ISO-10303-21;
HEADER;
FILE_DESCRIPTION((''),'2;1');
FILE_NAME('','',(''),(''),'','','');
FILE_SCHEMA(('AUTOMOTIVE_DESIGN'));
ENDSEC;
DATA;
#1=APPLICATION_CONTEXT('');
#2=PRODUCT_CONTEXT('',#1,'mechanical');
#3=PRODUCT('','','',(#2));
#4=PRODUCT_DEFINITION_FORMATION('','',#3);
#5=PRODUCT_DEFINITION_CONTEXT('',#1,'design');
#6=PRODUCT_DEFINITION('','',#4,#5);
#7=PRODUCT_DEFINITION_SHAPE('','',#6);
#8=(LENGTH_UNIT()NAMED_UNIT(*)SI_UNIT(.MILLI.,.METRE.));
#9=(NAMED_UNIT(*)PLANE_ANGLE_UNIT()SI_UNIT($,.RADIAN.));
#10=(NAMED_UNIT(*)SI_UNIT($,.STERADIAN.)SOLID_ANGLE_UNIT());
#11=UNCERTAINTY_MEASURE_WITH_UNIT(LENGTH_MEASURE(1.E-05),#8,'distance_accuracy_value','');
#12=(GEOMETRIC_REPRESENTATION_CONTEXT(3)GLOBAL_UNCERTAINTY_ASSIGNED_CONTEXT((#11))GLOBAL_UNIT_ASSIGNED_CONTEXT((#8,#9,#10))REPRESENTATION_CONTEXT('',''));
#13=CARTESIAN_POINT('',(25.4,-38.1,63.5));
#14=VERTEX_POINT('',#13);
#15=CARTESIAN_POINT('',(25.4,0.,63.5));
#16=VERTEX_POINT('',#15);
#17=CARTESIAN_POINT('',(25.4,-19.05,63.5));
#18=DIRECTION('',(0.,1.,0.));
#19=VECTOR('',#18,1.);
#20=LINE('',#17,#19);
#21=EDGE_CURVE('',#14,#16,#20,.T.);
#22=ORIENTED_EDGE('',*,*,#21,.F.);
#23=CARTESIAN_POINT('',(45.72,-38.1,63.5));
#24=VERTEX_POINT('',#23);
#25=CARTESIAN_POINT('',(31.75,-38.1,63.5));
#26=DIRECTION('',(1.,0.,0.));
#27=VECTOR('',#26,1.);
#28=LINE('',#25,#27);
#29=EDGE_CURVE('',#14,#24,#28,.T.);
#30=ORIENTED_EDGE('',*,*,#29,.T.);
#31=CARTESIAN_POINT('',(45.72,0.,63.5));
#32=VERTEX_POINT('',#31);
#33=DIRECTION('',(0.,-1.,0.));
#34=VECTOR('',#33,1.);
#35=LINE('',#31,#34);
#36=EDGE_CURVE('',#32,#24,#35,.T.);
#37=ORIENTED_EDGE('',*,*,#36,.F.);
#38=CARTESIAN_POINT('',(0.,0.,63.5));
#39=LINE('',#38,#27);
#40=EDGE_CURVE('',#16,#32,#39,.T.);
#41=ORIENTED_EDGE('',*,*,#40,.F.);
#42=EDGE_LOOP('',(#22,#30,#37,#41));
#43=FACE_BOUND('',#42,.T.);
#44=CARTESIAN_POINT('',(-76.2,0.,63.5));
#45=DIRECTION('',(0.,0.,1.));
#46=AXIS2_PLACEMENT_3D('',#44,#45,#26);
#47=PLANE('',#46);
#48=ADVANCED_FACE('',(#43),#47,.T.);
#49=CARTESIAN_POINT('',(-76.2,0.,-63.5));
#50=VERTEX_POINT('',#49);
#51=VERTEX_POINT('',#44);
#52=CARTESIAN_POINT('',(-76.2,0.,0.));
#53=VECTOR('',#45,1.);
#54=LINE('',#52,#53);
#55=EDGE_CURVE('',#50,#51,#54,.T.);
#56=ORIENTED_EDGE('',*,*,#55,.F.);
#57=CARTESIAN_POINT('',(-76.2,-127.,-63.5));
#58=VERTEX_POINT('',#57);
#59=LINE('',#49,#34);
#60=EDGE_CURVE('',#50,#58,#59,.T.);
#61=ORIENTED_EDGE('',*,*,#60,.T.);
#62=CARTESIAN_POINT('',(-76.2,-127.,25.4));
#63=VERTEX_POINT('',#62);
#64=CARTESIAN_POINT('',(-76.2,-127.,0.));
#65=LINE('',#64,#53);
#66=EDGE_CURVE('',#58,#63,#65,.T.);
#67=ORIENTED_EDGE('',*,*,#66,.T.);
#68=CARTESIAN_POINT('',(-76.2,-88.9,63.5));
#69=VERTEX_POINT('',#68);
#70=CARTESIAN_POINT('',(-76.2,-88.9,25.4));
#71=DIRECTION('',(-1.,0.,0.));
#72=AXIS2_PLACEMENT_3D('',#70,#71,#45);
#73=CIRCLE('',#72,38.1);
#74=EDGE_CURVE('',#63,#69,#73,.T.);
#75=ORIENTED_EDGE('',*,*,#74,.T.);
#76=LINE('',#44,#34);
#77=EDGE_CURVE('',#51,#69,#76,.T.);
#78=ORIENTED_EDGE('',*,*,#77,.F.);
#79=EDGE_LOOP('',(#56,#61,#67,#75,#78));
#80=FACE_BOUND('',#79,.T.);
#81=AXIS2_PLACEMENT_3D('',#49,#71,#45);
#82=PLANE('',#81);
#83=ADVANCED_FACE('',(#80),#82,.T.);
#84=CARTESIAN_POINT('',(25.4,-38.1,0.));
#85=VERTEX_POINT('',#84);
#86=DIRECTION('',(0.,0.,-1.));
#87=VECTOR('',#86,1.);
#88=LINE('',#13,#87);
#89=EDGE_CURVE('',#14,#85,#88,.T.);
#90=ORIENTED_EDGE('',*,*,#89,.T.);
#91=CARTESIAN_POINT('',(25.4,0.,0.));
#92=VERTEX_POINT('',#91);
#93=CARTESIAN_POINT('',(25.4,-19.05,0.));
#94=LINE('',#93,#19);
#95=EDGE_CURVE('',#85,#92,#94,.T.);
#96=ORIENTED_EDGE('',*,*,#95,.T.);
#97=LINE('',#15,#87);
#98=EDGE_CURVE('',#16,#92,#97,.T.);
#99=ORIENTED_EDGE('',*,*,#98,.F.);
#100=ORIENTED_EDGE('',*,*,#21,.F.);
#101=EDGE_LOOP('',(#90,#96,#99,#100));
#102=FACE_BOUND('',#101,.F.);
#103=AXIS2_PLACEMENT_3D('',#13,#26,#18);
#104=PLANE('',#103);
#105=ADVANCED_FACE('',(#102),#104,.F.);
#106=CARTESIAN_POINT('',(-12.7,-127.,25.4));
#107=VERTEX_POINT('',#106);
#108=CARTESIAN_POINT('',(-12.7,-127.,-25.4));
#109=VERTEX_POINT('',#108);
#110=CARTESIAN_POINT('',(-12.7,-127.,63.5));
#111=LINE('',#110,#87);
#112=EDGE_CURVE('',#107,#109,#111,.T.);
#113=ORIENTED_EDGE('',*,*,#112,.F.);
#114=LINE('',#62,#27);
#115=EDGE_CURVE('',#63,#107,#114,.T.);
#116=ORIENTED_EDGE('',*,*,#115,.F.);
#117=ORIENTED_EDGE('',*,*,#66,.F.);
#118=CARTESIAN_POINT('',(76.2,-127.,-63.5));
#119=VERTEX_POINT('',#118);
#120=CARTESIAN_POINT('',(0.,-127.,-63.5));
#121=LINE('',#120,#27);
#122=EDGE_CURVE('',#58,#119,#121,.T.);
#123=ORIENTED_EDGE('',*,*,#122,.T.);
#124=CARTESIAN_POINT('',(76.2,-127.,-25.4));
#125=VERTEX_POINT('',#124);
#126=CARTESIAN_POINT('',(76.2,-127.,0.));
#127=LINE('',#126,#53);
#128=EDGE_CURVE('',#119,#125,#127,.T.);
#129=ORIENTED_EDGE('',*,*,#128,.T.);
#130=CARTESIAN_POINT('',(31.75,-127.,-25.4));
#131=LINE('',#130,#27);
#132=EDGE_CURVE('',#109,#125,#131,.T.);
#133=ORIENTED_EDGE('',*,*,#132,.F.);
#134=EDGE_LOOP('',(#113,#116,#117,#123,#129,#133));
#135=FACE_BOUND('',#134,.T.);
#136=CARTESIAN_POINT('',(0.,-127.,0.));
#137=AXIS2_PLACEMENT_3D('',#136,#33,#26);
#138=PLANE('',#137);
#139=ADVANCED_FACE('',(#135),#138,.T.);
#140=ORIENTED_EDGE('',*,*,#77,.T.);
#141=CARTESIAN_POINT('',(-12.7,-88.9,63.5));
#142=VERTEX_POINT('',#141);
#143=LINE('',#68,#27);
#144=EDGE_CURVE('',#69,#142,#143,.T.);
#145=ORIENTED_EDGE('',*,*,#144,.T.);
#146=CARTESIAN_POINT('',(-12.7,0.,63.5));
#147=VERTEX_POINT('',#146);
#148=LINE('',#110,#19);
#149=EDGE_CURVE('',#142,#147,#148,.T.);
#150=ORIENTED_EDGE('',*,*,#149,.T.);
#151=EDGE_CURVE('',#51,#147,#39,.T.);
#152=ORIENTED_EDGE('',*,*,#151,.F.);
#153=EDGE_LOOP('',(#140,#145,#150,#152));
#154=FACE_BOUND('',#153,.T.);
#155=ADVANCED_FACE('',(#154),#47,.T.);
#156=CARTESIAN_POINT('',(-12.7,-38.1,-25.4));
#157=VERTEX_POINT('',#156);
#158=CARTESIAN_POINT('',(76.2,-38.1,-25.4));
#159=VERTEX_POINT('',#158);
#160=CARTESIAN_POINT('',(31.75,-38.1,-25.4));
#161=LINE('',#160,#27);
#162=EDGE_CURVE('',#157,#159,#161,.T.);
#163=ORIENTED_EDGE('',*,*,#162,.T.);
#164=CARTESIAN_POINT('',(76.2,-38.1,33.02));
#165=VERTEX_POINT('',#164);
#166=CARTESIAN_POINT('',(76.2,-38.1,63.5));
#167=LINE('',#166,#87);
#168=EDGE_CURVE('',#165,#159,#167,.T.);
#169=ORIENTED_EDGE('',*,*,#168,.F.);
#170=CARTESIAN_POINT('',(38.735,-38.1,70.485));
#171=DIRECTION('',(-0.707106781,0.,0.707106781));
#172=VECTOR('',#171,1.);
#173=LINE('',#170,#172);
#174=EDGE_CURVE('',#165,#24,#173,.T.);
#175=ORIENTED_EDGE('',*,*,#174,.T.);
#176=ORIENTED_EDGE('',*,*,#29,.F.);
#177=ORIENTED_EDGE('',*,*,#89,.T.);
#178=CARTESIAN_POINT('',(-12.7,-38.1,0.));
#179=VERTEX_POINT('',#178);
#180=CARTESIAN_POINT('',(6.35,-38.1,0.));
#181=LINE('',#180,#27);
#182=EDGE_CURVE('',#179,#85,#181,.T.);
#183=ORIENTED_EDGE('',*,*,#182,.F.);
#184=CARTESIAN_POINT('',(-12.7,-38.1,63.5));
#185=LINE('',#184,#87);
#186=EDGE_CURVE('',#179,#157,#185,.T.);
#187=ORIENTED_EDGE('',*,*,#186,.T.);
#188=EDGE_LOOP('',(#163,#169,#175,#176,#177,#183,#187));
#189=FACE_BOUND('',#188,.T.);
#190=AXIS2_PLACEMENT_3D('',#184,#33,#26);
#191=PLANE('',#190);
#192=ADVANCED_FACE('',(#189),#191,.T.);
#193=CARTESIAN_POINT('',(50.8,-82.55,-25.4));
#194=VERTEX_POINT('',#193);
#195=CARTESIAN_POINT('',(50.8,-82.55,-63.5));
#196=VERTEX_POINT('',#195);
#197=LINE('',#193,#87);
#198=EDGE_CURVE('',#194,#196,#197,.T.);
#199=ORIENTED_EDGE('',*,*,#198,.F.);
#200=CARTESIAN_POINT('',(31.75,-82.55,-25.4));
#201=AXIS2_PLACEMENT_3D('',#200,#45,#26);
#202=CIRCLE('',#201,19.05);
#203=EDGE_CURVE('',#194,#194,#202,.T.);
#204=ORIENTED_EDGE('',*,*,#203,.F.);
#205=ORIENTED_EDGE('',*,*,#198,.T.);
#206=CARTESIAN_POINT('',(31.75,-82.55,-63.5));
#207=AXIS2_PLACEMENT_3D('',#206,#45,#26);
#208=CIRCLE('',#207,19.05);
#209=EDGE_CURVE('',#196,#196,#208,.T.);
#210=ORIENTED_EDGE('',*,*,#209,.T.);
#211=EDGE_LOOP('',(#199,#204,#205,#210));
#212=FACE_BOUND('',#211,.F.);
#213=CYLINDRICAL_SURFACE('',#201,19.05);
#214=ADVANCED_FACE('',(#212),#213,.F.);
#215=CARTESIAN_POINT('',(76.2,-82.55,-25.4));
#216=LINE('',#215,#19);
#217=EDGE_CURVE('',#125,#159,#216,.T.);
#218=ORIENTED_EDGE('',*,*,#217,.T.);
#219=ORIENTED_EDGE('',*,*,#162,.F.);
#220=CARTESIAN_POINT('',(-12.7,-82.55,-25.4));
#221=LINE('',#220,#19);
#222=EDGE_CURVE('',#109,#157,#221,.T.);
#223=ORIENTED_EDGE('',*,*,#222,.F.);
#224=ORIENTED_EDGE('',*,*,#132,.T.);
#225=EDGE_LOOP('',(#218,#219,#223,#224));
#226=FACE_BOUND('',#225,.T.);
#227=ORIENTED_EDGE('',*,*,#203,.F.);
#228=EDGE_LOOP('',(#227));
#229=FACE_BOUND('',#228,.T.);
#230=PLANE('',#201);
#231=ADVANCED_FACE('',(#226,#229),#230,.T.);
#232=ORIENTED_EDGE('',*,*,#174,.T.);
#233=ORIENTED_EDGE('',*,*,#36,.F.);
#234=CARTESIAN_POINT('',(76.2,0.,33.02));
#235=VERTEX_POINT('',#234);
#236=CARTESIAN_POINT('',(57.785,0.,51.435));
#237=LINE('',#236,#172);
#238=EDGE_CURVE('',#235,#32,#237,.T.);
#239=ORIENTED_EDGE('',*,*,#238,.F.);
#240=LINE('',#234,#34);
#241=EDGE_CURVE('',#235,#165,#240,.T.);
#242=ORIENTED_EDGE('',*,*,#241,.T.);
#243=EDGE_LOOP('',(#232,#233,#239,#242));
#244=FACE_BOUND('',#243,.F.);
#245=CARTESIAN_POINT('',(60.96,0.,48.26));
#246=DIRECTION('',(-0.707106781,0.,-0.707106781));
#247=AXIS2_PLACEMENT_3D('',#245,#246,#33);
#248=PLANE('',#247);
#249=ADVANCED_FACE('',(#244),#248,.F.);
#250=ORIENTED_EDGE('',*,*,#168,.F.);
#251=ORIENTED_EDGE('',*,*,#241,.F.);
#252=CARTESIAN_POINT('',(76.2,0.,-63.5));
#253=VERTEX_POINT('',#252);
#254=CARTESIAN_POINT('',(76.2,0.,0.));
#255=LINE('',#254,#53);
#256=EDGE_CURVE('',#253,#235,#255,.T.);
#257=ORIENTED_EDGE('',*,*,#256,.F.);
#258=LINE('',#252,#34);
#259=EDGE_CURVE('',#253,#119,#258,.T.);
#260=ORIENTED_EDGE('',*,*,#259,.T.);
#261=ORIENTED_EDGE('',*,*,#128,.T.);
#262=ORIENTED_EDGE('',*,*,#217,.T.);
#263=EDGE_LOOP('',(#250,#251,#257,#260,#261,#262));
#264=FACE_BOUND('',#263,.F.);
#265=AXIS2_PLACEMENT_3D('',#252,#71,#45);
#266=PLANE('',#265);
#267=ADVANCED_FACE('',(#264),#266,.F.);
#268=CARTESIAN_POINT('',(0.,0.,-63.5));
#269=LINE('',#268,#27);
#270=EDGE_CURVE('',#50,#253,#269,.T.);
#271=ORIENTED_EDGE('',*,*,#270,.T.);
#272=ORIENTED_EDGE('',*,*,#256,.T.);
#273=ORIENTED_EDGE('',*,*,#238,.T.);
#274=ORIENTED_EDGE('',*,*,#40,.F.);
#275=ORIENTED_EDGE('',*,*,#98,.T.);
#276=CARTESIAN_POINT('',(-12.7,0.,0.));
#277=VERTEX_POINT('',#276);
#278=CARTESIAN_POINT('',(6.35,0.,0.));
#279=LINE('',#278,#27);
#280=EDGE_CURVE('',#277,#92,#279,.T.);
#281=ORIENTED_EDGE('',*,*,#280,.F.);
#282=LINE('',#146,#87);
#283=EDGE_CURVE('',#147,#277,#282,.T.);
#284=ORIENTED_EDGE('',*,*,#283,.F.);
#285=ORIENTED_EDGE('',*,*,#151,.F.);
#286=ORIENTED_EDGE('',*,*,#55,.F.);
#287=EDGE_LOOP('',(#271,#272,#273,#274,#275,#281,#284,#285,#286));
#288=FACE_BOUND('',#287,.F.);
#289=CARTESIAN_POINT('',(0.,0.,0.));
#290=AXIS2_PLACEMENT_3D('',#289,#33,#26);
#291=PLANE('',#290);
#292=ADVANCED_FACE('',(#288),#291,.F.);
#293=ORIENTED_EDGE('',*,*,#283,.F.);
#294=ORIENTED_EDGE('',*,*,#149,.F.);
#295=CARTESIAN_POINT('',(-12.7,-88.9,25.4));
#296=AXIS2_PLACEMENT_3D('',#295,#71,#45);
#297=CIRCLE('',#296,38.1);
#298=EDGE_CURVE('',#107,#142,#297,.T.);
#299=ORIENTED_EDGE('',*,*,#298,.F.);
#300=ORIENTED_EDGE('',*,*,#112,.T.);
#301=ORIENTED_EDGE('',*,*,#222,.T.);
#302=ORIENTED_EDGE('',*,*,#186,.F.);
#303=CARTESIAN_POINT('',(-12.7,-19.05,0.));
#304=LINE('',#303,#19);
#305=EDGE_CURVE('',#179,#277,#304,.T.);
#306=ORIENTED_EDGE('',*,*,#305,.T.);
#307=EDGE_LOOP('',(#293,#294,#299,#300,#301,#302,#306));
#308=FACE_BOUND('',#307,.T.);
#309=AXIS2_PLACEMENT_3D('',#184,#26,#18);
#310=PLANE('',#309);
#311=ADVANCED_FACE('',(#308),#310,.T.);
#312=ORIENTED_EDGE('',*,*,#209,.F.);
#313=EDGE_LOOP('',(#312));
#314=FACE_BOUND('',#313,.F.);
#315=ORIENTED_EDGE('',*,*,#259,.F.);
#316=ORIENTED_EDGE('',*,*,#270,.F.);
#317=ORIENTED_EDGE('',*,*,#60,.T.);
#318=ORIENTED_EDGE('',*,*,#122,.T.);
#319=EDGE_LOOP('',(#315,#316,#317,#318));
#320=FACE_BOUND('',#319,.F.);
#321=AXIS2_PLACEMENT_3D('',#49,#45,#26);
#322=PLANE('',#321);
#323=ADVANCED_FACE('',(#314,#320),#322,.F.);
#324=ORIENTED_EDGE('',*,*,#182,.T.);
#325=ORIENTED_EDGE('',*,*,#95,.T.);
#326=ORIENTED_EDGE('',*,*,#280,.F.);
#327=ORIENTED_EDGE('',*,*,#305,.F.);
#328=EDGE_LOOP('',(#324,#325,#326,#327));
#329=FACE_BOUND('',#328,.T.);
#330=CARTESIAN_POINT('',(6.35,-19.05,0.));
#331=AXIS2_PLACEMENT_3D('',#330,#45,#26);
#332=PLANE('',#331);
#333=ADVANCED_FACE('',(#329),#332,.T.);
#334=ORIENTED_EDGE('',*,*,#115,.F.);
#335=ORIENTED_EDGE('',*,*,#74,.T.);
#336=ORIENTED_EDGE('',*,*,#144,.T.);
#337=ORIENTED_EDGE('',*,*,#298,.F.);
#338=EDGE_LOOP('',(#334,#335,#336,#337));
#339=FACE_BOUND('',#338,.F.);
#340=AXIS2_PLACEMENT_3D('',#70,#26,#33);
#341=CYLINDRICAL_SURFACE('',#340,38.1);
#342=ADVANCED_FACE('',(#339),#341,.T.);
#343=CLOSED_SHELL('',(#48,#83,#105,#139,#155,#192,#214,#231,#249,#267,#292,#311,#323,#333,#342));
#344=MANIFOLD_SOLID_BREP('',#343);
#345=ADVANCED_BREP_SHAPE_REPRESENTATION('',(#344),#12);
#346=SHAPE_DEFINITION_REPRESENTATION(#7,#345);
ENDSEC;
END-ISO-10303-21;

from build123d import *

# Parameters (mm, degrees)
F0_W     = 152.4
F0_H     = 127
F1_DEPTH = 127
F2_W     = 88.9
F2_H     = 88.9
F3_DEPTH = 88.9
F4_R     = 19.05
F5_DEPTH = 50.8
F6_W     = 38.1
F6_H     = 38.1
F7_DEPTH = 63.5
F8_SIZE  = 30.48
F9_R     = 38.1


with BuildPart() as f1:
    # F0 (on Front) → F1 (new body)
    with BuildSketch(Plane.XZ):
        Rectangle(F0_W, F0_H)
    extrude(amount=F1_DEPTH)

    # F2 (on face) → F3 (cut)
    with BuildSketch(Plane.XY.offset(63.5)):
        with Locations((31.75, -82.55)):
            Rectangle(F2_W, F2_H)
    extrude(amount=-F3_DEPTH, mode=Mode.SUBTRACT)

    # F4 (on face) → F5 (cut)
    with BuildSketch(Plane.XY.offset(-25.4)):
        with Locations((31.75, -82.55)):
            Circle(F4_R)
    extrude(amount=-F5_DEPTH, mode=Mode.SUBTRACT)

    # F6 (on face) → F7 (cut)
    with BuildSketch(Plane.XY.offset(63.5)):
        with Locations((6.35, -19.05)):
            Rectangle(F6_W, F6_H)
    extrude(amount=-F7_DEPTH, mode=Mode.SUBTRACT)

    # F8
    f8_edges = [f1.edges().sort_by_distance(p)[0] for p in [
        (76.2, -19.05, 63.5),
    ]]
    chamfer(f8_edges, length=F8_SIZE)

    # F9
    f9_edges = [f1.edges().sort_by_distance(p)[0] for p in [
        (-44.45, -127, 63.5),
    ]]
    fillet(f9_edges, radius=F9_R)


solid = f1.part
